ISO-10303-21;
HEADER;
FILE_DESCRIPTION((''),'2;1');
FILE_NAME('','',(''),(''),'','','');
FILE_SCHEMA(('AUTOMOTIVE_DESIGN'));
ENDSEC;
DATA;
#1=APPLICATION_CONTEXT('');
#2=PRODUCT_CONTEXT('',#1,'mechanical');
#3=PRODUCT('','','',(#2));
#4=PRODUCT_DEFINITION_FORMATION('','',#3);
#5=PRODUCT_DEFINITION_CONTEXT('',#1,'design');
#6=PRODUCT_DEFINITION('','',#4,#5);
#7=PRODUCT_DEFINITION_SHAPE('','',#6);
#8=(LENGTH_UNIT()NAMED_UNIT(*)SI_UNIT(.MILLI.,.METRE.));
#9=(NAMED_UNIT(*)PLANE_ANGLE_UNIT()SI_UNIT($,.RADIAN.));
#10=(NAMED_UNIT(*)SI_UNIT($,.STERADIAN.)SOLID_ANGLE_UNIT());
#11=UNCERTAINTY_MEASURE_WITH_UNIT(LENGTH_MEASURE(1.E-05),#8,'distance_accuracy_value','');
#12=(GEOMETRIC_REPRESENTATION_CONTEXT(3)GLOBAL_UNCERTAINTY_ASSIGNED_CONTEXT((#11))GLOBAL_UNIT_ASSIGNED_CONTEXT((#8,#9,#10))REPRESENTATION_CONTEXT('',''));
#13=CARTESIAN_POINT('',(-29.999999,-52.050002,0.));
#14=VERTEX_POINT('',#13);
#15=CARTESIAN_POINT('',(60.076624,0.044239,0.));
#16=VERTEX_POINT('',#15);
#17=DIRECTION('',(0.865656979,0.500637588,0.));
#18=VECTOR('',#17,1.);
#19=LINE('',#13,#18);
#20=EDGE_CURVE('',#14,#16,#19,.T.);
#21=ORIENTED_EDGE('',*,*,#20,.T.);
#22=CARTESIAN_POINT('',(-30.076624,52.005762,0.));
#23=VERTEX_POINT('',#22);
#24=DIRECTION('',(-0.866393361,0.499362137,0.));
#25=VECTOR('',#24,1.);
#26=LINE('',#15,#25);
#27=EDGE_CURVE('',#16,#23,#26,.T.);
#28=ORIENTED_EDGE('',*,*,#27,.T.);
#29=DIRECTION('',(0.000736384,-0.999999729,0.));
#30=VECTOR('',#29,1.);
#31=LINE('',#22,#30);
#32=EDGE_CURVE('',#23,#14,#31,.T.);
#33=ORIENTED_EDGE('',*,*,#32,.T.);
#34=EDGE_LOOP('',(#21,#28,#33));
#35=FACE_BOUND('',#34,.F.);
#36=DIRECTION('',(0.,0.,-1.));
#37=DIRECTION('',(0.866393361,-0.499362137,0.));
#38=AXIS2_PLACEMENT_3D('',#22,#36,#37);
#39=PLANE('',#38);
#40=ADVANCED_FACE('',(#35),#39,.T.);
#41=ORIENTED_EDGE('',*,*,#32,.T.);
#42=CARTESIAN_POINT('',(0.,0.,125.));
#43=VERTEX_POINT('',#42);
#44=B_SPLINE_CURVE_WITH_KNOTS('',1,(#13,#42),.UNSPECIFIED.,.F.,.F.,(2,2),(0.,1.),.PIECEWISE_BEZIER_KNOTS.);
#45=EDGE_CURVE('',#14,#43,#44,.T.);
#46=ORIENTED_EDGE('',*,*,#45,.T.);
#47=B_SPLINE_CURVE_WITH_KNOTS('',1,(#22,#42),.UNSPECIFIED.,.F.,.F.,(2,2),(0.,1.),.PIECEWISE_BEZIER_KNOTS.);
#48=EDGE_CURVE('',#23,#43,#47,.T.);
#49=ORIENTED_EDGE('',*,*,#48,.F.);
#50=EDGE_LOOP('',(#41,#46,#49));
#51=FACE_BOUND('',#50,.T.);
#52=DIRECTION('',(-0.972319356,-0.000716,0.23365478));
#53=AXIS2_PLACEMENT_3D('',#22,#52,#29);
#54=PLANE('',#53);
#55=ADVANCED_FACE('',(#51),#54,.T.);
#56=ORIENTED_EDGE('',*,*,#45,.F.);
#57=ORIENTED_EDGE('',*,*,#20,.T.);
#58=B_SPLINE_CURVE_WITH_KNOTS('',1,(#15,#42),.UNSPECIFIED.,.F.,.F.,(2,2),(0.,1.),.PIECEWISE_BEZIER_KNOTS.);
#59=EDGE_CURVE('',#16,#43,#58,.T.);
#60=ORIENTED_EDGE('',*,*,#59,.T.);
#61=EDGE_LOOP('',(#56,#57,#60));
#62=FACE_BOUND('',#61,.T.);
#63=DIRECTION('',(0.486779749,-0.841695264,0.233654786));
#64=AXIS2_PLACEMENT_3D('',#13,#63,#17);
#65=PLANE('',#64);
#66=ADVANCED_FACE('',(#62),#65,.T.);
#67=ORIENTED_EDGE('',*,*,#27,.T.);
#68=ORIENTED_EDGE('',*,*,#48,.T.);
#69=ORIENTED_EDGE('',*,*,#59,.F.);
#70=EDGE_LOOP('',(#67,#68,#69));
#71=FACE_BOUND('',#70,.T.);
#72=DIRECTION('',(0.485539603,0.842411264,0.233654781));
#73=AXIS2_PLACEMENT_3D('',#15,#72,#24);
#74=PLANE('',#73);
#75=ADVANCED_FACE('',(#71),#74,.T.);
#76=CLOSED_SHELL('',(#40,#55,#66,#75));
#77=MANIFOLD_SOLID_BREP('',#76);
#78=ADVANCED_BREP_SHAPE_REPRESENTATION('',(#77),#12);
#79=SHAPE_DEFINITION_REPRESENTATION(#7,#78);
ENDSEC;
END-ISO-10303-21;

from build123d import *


with BuildPart() as f3:
    # F0 (on Top) → F3 section 0
    with BuildSketch(Plane.XY, mode=Mode.PRIVATE) as f3_s0:
        Polygon((-30.076624, 52.005762), (-29.999999, -52.050002), (60.076624, 0.044239), align=None)
    loft([f3_s0.sketch, Vertex(0, 0, 125)])


solid = f3.part
